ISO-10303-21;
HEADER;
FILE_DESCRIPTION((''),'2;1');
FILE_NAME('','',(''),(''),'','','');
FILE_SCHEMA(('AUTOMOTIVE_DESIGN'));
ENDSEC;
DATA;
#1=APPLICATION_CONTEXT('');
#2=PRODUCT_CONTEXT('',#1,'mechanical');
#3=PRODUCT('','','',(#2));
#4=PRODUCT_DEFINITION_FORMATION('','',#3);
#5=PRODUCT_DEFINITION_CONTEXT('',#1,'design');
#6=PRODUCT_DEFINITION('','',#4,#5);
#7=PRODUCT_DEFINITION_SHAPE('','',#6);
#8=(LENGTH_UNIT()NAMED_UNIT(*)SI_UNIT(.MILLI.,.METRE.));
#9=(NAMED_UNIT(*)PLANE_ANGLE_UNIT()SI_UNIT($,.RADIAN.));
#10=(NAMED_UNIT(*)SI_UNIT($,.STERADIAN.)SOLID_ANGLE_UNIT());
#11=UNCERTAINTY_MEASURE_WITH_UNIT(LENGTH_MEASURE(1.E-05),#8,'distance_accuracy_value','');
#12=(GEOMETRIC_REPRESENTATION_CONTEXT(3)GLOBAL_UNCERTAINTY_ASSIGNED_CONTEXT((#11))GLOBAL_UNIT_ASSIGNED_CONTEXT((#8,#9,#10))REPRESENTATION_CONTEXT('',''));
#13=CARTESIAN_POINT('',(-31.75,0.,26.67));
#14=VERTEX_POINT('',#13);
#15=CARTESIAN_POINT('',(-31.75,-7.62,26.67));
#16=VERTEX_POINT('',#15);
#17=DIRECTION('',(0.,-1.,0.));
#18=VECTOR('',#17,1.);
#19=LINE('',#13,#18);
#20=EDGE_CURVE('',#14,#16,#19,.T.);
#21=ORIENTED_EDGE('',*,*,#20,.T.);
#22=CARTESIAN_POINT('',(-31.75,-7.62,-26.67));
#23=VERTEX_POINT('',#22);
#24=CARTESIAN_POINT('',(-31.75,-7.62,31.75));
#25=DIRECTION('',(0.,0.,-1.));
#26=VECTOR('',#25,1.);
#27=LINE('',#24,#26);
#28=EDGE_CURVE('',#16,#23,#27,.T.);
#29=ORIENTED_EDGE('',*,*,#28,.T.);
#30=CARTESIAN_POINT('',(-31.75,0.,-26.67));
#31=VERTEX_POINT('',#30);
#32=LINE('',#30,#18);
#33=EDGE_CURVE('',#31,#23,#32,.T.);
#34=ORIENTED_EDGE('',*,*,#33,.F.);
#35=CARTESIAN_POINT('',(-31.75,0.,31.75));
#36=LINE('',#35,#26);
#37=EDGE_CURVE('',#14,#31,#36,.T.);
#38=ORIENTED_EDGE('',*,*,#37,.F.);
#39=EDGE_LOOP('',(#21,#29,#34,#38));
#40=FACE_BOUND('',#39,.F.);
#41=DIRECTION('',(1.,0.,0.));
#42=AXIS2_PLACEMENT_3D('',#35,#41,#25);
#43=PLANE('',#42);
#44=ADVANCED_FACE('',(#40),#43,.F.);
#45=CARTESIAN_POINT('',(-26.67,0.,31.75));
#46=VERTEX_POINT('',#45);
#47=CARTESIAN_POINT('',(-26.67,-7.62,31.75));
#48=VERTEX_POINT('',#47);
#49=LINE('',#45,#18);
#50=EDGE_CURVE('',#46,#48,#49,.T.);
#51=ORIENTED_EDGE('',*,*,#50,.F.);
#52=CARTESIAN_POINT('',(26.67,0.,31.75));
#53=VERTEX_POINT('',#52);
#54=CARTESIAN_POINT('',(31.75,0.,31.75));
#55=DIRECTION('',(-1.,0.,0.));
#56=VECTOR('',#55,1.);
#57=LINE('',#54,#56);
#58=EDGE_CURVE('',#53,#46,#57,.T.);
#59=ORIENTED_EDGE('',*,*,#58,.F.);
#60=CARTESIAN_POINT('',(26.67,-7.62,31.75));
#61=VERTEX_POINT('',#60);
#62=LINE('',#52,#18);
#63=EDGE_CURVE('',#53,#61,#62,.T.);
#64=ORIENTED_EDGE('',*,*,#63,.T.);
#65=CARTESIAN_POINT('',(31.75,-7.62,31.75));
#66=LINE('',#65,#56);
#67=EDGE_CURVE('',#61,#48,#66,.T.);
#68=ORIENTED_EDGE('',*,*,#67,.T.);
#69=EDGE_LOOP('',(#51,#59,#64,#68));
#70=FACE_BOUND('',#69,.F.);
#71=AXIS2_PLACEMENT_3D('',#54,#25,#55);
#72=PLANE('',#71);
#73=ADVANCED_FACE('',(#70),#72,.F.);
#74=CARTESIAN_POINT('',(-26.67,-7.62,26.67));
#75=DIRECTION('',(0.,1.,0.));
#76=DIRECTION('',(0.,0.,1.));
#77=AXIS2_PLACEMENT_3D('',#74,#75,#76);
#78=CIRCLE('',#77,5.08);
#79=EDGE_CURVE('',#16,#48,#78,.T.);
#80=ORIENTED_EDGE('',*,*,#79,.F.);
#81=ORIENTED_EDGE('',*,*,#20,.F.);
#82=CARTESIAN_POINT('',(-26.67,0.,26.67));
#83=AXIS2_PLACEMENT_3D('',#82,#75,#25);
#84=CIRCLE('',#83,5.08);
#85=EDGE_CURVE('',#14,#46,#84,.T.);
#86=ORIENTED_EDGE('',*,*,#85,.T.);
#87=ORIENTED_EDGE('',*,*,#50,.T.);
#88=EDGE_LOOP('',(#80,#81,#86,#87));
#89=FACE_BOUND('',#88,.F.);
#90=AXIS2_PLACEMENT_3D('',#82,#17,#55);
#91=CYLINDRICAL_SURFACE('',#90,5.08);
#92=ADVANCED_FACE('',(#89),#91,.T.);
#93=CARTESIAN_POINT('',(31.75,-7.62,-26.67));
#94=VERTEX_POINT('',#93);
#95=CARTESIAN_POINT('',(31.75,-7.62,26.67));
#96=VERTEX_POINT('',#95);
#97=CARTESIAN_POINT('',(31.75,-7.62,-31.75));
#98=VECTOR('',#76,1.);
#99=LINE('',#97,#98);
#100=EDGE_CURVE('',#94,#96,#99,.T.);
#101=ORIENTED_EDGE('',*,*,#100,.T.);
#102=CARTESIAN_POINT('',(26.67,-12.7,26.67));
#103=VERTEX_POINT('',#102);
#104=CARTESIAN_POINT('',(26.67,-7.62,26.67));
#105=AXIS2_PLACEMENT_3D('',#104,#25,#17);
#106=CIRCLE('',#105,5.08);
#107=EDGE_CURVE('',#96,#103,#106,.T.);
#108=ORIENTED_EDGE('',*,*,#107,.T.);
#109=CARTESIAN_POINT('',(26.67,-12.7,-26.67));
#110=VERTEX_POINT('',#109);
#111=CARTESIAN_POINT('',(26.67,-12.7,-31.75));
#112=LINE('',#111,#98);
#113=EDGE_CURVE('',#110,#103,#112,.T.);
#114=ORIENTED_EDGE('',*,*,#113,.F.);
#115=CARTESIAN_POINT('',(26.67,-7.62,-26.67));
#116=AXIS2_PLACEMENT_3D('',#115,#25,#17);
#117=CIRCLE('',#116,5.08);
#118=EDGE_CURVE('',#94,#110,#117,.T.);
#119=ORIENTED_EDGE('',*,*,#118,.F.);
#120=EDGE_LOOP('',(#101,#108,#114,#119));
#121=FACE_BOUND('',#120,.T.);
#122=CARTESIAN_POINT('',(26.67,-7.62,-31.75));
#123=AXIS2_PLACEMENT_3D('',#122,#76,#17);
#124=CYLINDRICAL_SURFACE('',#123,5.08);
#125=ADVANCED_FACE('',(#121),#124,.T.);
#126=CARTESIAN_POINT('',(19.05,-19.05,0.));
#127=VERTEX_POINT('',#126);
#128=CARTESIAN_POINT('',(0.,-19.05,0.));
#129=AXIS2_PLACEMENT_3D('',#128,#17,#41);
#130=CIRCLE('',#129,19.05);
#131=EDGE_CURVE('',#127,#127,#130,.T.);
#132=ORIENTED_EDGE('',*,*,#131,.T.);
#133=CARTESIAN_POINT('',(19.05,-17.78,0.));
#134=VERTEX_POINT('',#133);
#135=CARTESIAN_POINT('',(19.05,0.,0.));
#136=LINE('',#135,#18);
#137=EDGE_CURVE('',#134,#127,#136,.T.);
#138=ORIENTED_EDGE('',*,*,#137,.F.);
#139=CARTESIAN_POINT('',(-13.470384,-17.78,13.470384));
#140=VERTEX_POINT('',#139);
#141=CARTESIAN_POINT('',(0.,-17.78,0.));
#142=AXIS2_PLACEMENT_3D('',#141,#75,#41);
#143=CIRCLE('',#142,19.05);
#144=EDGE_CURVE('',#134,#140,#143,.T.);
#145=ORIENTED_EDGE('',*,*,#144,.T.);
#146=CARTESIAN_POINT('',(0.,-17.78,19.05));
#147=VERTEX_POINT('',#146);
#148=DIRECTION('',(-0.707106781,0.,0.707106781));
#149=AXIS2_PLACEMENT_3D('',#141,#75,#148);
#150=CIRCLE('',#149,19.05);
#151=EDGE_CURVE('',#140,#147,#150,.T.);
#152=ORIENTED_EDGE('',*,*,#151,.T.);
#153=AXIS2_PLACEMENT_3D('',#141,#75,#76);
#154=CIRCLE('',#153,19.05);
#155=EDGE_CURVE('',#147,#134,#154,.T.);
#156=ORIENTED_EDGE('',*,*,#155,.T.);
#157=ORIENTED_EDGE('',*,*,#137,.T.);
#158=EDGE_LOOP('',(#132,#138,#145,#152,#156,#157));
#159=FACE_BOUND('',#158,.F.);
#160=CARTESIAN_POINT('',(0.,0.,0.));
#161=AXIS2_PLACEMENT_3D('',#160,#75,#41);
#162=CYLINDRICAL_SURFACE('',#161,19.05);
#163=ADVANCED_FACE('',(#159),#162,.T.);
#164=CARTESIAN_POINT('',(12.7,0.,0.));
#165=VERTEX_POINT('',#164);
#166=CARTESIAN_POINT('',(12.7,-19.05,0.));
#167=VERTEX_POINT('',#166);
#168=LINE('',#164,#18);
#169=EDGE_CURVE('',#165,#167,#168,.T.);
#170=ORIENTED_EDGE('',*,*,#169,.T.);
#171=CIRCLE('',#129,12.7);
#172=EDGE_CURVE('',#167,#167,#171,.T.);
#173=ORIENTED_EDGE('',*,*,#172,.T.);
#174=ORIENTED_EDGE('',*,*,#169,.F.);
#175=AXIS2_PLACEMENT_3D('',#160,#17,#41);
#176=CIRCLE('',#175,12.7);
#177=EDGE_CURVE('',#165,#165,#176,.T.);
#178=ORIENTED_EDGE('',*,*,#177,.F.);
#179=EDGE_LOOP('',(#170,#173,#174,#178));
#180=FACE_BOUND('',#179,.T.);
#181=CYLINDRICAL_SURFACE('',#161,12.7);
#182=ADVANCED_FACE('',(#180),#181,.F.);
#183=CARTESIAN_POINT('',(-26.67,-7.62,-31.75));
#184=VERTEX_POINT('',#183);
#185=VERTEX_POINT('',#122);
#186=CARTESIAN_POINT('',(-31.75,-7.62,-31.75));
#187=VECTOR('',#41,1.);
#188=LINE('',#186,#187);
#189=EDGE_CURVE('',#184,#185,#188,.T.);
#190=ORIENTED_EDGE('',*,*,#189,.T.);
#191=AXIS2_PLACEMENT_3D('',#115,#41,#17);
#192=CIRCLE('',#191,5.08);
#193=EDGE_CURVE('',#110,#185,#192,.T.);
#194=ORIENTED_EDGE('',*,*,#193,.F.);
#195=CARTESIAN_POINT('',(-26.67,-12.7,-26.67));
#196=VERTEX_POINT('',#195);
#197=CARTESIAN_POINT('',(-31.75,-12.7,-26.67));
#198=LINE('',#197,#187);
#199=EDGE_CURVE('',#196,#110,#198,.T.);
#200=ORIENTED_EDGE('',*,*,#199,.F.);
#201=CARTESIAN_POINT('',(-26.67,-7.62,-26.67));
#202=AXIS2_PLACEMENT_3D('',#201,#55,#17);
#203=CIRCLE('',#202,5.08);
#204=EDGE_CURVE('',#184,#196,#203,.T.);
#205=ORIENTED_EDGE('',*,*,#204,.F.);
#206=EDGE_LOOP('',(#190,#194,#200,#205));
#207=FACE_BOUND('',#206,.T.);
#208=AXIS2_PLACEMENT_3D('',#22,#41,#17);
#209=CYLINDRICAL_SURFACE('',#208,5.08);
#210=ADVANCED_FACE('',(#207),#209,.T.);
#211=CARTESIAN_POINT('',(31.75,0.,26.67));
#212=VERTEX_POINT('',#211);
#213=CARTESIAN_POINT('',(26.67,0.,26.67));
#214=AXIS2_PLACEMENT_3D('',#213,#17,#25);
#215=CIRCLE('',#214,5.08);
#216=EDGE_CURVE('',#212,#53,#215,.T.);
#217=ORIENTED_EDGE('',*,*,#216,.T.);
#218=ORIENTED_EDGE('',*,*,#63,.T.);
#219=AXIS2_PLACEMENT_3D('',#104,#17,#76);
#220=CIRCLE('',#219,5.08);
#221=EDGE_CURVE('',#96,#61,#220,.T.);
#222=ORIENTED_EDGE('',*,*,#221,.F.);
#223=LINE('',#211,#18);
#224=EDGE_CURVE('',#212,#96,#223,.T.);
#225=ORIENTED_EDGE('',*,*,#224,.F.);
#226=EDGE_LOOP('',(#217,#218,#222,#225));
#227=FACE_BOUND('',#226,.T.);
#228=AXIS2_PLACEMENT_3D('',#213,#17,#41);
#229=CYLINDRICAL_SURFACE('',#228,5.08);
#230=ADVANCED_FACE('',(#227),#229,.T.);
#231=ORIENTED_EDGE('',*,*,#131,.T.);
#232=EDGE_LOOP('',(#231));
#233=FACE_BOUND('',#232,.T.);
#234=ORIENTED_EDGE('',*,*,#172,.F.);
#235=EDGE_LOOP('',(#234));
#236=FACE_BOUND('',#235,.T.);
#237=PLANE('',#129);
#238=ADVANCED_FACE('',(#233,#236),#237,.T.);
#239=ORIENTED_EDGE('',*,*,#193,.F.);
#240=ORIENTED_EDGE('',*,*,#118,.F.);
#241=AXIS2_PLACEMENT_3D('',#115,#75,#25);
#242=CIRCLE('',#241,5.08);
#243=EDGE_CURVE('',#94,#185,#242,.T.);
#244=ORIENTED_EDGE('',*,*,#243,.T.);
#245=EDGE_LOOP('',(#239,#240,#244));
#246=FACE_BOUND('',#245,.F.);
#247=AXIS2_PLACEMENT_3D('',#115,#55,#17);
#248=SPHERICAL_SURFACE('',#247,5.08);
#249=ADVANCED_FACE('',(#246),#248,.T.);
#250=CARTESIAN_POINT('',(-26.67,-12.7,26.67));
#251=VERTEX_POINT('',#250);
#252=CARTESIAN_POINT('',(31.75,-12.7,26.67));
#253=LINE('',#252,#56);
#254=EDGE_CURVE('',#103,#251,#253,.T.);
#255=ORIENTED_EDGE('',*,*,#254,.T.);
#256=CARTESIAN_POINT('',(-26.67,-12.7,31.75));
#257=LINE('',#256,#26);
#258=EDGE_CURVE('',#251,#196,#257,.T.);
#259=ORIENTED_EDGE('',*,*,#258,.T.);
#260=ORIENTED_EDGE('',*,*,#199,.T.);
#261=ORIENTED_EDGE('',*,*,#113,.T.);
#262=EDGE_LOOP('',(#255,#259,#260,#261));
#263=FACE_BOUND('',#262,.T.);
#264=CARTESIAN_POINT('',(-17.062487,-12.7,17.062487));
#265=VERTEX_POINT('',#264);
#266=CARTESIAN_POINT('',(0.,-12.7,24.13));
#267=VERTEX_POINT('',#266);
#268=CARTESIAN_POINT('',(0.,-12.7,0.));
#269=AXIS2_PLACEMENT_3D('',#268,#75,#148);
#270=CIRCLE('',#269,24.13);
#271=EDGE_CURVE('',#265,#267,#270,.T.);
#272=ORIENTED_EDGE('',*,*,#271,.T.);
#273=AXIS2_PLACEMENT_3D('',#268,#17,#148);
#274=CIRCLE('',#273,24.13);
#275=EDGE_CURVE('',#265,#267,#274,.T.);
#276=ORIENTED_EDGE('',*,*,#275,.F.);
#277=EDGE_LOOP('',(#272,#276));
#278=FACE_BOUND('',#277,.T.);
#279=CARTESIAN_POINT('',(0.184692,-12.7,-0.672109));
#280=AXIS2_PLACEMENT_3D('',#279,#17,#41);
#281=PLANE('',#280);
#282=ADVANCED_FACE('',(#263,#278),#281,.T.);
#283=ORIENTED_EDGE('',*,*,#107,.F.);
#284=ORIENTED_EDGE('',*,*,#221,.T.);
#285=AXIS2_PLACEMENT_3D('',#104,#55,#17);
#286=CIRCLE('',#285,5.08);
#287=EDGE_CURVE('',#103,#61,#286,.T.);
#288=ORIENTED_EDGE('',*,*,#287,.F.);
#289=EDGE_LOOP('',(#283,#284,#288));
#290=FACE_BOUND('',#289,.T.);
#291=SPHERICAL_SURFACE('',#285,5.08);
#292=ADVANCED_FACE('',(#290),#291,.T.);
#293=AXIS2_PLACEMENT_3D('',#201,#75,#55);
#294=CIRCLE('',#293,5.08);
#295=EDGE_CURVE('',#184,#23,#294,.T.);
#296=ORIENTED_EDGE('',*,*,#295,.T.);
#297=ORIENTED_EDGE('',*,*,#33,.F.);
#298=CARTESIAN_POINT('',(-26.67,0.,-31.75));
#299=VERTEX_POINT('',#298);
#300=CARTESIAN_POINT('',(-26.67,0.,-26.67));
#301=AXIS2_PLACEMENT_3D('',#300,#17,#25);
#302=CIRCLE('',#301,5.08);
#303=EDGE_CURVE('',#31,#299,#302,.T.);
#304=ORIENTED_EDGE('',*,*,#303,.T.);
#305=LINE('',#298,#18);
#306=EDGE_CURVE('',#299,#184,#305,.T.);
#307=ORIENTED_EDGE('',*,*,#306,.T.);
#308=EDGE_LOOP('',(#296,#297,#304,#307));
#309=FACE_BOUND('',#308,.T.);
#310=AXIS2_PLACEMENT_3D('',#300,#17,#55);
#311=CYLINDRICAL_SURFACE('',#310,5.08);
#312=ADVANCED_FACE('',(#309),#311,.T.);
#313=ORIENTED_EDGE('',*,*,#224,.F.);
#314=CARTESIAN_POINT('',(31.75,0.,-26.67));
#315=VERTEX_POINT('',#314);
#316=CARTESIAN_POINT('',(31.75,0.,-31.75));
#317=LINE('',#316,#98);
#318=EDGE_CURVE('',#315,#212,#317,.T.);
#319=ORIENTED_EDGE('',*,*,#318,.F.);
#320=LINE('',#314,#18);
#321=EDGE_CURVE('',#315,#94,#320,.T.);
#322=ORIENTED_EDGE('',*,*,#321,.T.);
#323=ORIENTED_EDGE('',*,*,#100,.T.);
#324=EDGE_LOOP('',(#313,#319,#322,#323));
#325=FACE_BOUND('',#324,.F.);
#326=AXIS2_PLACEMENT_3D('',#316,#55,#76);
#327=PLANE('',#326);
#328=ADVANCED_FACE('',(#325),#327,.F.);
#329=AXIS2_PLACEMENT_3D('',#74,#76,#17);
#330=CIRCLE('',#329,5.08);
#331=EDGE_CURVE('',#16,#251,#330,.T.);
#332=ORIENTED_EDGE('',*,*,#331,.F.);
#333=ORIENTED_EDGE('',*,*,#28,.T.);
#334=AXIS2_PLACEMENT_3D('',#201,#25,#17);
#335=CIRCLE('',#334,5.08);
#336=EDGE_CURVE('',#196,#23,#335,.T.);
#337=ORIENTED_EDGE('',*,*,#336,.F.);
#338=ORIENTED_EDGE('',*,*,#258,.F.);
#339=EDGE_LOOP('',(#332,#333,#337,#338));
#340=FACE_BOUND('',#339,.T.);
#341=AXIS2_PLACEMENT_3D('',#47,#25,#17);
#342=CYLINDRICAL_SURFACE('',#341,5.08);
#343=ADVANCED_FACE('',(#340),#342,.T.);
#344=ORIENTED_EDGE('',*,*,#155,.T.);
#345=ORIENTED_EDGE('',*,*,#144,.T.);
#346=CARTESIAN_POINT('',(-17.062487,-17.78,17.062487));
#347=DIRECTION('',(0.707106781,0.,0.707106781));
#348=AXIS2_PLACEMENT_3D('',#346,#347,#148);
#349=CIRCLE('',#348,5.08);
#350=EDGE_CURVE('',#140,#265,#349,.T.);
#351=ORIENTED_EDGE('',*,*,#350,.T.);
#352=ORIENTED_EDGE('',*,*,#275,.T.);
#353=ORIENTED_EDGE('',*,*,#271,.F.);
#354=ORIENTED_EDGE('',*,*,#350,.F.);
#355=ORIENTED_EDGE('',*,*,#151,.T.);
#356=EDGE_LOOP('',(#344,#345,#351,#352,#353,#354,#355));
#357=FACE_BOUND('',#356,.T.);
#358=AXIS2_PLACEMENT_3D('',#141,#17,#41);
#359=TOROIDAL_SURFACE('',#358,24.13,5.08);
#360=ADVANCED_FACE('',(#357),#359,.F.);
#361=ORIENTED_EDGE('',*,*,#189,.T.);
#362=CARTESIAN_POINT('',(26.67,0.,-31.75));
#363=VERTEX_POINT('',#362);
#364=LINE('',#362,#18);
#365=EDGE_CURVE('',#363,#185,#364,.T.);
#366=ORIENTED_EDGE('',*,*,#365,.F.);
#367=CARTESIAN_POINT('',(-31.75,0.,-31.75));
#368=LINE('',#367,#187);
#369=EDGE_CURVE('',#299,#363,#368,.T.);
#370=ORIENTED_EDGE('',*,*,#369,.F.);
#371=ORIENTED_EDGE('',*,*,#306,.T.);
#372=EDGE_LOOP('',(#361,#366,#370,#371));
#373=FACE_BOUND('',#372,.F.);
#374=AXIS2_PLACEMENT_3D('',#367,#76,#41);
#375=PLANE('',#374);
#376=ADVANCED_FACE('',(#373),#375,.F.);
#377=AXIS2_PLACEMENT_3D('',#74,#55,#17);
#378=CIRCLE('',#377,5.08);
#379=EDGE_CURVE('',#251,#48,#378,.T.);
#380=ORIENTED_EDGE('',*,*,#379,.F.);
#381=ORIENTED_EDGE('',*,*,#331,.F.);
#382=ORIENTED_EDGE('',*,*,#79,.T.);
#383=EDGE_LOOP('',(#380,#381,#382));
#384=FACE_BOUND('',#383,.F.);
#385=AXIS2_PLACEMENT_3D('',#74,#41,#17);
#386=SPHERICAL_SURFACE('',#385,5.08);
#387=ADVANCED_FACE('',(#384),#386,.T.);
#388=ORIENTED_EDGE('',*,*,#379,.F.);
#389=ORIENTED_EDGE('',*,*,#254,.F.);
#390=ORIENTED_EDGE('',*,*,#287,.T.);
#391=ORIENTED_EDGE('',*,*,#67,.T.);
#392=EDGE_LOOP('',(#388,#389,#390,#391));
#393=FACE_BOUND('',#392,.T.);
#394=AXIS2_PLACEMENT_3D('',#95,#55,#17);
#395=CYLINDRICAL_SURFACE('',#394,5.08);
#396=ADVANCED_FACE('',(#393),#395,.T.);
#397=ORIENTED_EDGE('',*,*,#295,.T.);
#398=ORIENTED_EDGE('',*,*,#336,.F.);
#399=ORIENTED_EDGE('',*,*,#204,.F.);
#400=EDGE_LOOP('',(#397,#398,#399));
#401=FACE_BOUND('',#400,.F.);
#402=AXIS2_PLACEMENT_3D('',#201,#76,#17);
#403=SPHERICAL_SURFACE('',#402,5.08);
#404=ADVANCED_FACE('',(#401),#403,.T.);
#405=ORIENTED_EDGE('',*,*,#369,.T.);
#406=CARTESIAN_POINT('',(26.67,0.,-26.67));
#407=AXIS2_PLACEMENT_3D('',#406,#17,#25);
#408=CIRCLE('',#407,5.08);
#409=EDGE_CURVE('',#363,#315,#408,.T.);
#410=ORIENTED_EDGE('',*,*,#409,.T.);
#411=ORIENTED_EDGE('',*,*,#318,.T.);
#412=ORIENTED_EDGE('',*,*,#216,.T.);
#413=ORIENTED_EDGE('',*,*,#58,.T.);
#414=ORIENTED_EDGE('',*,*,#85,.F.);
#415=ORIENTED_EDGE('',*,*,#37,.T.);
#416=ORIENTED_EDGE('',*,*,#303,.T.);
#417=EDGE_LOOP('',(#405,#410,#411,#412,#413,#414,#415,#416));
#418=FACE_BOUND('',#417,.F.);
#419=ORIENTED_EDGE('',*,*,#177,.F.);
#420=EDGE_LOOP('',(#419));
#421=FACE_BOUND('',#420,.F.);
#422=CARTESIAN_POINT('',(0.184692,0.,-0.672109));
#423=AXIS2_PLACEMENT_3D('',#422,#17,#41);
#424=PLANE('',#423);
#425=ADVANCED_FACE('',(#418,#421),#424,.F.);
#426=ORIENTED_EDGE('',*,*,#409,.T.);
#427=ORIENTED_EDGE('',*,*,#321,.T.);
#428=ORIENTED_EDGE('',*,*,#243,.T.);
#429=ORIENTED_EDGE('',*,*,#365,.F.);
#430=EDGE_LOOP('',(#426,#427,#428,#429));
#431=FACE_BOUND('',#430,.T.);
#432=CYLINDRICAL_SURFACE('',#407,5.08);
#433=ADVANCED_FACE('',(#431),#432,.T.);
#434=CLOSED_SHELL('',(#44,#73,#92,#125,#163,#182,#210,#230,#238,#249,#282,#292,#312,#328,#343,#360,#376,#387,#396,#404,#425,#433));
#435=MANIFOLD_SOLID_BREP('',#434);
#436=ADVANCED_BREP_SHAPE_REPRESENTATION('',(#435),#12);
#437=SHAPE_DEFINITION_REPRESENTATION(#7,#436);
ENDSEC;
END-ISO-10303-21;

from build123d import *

# Parameters (mm, degrees)
F1_DEPTH = 12.7
F2_R     = 19.05
F2_R_2   = 12.7
F3_DEPTH = 19.05
F4_R     = 5.08


with BuildPart() as f1:
    # F0 (on Front) → F1 (new body)
    with BuildSketch(Plane.XZ):
        with BuildLine():
            Line((0, 31.75), (0, 19.05))
            ThreePointArc((0, 19.05), (13.4703841816, 13.4703841816), (19.05, 0))
            ThreePointArc((19.05, 0), (-7.2901193866, -17.5999050943), (-13.4703841816, 13.4703841816))
            Line((-13.4703841816, 13.4703841816), (-31.75, 31.75))
            Line((-31.75, 31.75), (-31.75, -31.75))
            Line((-31.75, -31.75), (31.75, -31.75))
            Line((31.75, -31.75), (31.75, 31.75))
            Line((31.75, 31.75), (0, 31.75))
        make_face()
        with BuildLine():
            ThreePointArc((-13.4703841816, 13.4703841816), (-7.2901193866, 17.5999050943), (0, 19.05))
            Line((0, 19.05), (0, 31.75))
            Line((0, 31.75), (-31.75, 31.75))
            Line((-31.75, 31.75), (-13.4703841816, 13.4703841816))
        make_face()
    extrude(amount=F1_DEPTH)

    # F2 (on Front) → F3 (join)
    with BuildSketch(Plane.XZ):
        Circle(F2_R)
        Circle(F2_R_2, mode=Mode.SUBTRACT)
    extrude(amount=F3_DEPTH)

    # F4
    f4_edges = [f1.edges().sort_by_distance(p)[0] for p in [
        (-19.05, -12.7, 0),
        (0, -12.7, 31.75),
        (-31.75, -12.7, 0),
        (0, -12.7, -31.75),
        (31.75, -12.7, 0),
        (31.75, -6.35, 31.75),
        (-31.75, -6.35, 31.75),
        (-31.75, -6.35, -31.75),
        (31.75, -6.35, -31.75),
    ]]
    fillet(f4_edges, radius=F4_R)


solid = f1.part
